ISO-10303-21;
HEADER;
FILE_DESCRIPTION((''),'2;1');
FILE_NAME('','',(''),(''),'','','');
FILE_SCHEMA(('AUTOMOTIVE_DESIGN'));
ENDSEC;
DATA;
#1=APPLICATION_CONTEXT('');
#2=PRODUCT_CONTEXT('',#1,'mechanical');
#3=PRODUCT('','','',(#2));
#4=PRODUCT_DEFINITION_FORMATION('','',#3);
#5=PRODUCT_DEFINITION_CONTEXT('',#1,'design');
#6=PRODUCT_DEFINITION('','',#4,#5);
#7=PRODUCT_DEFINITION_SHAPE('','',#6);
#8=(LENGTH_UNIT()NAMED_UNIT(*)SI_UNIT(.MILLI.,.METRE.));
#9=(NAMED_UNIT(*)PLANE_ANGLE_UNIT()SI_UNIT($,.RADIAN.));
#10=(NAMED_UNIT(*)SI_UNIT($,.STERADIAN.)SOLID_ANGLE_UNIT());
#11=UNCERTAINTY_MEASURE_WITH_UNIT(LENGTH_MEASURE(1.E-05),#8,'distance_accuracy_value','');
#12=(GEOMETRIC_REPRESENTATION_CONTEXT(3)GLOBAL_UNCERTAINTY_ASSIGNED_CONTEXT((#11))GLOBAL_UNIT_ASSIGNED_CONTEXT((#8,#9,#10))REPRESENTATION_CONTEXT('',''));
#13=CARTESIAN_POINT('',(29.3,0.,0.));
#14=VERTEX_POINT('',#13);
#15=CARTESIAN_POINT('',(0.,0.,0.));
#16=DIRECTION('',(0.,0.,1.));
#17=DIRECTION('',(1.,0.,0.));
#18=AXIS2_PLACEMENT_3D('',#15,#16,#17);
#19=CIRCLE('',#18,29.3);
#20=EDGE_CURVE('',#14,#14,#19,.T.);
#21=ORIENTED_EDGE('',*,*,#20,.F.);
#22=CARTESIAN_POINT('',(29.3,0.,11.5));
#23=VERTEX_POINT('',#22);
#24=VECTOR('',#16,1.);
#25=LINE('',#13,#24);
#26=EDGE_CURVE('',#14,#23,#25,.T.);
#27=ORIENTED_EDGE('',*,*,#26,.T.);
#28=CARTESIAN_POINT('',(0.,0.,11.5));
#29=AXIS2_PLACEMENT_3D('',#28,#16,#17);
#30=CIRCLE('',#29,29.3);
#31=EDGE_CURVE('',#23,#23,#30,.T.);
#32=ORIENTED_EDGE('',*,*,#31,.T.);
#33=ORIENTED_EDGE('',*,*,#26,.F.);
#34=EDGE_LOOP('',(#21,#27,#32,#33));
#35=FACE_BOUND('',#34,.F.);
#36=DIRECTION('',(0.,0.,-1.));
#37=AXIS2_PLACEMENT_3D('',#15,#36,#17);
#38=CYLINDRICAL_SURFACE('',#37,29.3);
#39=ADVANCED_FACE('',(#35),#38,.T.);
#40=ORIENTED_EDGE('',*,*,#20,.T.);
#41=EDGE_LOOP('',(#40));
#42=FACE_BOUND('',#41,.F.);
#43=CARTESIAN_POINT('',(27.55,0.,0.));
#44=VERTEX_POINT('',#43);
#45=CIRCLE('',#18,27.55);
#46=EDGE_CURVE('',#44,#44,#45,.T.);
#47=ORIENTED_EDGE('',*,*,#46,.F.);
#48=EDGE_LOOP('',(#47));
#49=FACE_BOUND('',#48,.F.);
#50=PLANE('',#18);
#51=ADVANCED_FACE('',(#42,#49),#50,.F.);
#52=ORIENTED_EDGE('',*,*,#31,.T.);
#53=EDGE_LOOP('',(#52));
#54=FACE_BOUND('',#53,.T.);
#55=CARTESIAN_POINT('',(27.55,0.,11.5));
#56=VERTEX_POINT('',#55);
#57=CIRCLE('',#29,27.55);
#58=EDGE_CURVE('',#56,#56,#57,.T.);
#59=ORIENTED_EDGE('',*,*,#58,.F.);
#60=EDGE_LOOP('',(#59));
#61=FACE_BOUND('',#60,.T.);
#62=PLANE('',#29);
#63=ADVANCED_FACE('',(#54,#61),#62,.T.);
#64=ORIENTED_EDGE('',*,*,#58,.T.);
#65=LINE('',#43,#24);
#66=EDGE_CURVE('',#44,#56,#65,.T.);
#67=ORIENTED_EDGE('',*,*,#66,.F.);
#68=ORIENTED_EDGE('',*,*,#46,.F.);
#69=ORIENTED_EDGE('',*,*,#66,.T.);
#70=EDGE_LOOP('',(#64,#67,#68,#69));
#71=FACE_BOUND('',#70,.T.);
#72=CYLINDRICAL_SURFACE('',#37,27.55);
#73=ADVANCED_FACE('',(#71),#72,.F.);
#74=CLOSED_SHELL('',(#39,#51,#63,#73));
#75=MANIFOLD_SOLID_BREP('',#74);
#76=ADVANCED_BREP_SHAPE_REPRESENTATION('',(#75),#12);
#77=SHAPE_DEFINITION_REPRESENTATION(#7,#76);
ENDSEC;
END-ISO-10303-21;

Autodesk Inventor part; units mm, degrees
ref_plane "YZ Plane" through (0, 0, 0) normal (1, 0, 0) x (0, 1, 0)
ref_plane "XZ Plane" through (0, 0, 0) normal (0, 1, 0) x (-1, 0, 0)
ref_plane "XY Plane" through (0, 0, 0) normal (0, 0, 1) x (1, 0, 0)
sketch "Sketch1" plane through (0, 0, 0) normal (0, 0, 1) x (1, 0, 0)
  circle A0 centre (0, 0) radius 29.3
  circle A1 centre (0, 0) radius 27.55
  dimension "d0" = 58.6
  dimension "d2" = 1.75
extrude "Extrusion1" add sketch "Sketch1" along normal blind 11.5
properties part number "housing1"
